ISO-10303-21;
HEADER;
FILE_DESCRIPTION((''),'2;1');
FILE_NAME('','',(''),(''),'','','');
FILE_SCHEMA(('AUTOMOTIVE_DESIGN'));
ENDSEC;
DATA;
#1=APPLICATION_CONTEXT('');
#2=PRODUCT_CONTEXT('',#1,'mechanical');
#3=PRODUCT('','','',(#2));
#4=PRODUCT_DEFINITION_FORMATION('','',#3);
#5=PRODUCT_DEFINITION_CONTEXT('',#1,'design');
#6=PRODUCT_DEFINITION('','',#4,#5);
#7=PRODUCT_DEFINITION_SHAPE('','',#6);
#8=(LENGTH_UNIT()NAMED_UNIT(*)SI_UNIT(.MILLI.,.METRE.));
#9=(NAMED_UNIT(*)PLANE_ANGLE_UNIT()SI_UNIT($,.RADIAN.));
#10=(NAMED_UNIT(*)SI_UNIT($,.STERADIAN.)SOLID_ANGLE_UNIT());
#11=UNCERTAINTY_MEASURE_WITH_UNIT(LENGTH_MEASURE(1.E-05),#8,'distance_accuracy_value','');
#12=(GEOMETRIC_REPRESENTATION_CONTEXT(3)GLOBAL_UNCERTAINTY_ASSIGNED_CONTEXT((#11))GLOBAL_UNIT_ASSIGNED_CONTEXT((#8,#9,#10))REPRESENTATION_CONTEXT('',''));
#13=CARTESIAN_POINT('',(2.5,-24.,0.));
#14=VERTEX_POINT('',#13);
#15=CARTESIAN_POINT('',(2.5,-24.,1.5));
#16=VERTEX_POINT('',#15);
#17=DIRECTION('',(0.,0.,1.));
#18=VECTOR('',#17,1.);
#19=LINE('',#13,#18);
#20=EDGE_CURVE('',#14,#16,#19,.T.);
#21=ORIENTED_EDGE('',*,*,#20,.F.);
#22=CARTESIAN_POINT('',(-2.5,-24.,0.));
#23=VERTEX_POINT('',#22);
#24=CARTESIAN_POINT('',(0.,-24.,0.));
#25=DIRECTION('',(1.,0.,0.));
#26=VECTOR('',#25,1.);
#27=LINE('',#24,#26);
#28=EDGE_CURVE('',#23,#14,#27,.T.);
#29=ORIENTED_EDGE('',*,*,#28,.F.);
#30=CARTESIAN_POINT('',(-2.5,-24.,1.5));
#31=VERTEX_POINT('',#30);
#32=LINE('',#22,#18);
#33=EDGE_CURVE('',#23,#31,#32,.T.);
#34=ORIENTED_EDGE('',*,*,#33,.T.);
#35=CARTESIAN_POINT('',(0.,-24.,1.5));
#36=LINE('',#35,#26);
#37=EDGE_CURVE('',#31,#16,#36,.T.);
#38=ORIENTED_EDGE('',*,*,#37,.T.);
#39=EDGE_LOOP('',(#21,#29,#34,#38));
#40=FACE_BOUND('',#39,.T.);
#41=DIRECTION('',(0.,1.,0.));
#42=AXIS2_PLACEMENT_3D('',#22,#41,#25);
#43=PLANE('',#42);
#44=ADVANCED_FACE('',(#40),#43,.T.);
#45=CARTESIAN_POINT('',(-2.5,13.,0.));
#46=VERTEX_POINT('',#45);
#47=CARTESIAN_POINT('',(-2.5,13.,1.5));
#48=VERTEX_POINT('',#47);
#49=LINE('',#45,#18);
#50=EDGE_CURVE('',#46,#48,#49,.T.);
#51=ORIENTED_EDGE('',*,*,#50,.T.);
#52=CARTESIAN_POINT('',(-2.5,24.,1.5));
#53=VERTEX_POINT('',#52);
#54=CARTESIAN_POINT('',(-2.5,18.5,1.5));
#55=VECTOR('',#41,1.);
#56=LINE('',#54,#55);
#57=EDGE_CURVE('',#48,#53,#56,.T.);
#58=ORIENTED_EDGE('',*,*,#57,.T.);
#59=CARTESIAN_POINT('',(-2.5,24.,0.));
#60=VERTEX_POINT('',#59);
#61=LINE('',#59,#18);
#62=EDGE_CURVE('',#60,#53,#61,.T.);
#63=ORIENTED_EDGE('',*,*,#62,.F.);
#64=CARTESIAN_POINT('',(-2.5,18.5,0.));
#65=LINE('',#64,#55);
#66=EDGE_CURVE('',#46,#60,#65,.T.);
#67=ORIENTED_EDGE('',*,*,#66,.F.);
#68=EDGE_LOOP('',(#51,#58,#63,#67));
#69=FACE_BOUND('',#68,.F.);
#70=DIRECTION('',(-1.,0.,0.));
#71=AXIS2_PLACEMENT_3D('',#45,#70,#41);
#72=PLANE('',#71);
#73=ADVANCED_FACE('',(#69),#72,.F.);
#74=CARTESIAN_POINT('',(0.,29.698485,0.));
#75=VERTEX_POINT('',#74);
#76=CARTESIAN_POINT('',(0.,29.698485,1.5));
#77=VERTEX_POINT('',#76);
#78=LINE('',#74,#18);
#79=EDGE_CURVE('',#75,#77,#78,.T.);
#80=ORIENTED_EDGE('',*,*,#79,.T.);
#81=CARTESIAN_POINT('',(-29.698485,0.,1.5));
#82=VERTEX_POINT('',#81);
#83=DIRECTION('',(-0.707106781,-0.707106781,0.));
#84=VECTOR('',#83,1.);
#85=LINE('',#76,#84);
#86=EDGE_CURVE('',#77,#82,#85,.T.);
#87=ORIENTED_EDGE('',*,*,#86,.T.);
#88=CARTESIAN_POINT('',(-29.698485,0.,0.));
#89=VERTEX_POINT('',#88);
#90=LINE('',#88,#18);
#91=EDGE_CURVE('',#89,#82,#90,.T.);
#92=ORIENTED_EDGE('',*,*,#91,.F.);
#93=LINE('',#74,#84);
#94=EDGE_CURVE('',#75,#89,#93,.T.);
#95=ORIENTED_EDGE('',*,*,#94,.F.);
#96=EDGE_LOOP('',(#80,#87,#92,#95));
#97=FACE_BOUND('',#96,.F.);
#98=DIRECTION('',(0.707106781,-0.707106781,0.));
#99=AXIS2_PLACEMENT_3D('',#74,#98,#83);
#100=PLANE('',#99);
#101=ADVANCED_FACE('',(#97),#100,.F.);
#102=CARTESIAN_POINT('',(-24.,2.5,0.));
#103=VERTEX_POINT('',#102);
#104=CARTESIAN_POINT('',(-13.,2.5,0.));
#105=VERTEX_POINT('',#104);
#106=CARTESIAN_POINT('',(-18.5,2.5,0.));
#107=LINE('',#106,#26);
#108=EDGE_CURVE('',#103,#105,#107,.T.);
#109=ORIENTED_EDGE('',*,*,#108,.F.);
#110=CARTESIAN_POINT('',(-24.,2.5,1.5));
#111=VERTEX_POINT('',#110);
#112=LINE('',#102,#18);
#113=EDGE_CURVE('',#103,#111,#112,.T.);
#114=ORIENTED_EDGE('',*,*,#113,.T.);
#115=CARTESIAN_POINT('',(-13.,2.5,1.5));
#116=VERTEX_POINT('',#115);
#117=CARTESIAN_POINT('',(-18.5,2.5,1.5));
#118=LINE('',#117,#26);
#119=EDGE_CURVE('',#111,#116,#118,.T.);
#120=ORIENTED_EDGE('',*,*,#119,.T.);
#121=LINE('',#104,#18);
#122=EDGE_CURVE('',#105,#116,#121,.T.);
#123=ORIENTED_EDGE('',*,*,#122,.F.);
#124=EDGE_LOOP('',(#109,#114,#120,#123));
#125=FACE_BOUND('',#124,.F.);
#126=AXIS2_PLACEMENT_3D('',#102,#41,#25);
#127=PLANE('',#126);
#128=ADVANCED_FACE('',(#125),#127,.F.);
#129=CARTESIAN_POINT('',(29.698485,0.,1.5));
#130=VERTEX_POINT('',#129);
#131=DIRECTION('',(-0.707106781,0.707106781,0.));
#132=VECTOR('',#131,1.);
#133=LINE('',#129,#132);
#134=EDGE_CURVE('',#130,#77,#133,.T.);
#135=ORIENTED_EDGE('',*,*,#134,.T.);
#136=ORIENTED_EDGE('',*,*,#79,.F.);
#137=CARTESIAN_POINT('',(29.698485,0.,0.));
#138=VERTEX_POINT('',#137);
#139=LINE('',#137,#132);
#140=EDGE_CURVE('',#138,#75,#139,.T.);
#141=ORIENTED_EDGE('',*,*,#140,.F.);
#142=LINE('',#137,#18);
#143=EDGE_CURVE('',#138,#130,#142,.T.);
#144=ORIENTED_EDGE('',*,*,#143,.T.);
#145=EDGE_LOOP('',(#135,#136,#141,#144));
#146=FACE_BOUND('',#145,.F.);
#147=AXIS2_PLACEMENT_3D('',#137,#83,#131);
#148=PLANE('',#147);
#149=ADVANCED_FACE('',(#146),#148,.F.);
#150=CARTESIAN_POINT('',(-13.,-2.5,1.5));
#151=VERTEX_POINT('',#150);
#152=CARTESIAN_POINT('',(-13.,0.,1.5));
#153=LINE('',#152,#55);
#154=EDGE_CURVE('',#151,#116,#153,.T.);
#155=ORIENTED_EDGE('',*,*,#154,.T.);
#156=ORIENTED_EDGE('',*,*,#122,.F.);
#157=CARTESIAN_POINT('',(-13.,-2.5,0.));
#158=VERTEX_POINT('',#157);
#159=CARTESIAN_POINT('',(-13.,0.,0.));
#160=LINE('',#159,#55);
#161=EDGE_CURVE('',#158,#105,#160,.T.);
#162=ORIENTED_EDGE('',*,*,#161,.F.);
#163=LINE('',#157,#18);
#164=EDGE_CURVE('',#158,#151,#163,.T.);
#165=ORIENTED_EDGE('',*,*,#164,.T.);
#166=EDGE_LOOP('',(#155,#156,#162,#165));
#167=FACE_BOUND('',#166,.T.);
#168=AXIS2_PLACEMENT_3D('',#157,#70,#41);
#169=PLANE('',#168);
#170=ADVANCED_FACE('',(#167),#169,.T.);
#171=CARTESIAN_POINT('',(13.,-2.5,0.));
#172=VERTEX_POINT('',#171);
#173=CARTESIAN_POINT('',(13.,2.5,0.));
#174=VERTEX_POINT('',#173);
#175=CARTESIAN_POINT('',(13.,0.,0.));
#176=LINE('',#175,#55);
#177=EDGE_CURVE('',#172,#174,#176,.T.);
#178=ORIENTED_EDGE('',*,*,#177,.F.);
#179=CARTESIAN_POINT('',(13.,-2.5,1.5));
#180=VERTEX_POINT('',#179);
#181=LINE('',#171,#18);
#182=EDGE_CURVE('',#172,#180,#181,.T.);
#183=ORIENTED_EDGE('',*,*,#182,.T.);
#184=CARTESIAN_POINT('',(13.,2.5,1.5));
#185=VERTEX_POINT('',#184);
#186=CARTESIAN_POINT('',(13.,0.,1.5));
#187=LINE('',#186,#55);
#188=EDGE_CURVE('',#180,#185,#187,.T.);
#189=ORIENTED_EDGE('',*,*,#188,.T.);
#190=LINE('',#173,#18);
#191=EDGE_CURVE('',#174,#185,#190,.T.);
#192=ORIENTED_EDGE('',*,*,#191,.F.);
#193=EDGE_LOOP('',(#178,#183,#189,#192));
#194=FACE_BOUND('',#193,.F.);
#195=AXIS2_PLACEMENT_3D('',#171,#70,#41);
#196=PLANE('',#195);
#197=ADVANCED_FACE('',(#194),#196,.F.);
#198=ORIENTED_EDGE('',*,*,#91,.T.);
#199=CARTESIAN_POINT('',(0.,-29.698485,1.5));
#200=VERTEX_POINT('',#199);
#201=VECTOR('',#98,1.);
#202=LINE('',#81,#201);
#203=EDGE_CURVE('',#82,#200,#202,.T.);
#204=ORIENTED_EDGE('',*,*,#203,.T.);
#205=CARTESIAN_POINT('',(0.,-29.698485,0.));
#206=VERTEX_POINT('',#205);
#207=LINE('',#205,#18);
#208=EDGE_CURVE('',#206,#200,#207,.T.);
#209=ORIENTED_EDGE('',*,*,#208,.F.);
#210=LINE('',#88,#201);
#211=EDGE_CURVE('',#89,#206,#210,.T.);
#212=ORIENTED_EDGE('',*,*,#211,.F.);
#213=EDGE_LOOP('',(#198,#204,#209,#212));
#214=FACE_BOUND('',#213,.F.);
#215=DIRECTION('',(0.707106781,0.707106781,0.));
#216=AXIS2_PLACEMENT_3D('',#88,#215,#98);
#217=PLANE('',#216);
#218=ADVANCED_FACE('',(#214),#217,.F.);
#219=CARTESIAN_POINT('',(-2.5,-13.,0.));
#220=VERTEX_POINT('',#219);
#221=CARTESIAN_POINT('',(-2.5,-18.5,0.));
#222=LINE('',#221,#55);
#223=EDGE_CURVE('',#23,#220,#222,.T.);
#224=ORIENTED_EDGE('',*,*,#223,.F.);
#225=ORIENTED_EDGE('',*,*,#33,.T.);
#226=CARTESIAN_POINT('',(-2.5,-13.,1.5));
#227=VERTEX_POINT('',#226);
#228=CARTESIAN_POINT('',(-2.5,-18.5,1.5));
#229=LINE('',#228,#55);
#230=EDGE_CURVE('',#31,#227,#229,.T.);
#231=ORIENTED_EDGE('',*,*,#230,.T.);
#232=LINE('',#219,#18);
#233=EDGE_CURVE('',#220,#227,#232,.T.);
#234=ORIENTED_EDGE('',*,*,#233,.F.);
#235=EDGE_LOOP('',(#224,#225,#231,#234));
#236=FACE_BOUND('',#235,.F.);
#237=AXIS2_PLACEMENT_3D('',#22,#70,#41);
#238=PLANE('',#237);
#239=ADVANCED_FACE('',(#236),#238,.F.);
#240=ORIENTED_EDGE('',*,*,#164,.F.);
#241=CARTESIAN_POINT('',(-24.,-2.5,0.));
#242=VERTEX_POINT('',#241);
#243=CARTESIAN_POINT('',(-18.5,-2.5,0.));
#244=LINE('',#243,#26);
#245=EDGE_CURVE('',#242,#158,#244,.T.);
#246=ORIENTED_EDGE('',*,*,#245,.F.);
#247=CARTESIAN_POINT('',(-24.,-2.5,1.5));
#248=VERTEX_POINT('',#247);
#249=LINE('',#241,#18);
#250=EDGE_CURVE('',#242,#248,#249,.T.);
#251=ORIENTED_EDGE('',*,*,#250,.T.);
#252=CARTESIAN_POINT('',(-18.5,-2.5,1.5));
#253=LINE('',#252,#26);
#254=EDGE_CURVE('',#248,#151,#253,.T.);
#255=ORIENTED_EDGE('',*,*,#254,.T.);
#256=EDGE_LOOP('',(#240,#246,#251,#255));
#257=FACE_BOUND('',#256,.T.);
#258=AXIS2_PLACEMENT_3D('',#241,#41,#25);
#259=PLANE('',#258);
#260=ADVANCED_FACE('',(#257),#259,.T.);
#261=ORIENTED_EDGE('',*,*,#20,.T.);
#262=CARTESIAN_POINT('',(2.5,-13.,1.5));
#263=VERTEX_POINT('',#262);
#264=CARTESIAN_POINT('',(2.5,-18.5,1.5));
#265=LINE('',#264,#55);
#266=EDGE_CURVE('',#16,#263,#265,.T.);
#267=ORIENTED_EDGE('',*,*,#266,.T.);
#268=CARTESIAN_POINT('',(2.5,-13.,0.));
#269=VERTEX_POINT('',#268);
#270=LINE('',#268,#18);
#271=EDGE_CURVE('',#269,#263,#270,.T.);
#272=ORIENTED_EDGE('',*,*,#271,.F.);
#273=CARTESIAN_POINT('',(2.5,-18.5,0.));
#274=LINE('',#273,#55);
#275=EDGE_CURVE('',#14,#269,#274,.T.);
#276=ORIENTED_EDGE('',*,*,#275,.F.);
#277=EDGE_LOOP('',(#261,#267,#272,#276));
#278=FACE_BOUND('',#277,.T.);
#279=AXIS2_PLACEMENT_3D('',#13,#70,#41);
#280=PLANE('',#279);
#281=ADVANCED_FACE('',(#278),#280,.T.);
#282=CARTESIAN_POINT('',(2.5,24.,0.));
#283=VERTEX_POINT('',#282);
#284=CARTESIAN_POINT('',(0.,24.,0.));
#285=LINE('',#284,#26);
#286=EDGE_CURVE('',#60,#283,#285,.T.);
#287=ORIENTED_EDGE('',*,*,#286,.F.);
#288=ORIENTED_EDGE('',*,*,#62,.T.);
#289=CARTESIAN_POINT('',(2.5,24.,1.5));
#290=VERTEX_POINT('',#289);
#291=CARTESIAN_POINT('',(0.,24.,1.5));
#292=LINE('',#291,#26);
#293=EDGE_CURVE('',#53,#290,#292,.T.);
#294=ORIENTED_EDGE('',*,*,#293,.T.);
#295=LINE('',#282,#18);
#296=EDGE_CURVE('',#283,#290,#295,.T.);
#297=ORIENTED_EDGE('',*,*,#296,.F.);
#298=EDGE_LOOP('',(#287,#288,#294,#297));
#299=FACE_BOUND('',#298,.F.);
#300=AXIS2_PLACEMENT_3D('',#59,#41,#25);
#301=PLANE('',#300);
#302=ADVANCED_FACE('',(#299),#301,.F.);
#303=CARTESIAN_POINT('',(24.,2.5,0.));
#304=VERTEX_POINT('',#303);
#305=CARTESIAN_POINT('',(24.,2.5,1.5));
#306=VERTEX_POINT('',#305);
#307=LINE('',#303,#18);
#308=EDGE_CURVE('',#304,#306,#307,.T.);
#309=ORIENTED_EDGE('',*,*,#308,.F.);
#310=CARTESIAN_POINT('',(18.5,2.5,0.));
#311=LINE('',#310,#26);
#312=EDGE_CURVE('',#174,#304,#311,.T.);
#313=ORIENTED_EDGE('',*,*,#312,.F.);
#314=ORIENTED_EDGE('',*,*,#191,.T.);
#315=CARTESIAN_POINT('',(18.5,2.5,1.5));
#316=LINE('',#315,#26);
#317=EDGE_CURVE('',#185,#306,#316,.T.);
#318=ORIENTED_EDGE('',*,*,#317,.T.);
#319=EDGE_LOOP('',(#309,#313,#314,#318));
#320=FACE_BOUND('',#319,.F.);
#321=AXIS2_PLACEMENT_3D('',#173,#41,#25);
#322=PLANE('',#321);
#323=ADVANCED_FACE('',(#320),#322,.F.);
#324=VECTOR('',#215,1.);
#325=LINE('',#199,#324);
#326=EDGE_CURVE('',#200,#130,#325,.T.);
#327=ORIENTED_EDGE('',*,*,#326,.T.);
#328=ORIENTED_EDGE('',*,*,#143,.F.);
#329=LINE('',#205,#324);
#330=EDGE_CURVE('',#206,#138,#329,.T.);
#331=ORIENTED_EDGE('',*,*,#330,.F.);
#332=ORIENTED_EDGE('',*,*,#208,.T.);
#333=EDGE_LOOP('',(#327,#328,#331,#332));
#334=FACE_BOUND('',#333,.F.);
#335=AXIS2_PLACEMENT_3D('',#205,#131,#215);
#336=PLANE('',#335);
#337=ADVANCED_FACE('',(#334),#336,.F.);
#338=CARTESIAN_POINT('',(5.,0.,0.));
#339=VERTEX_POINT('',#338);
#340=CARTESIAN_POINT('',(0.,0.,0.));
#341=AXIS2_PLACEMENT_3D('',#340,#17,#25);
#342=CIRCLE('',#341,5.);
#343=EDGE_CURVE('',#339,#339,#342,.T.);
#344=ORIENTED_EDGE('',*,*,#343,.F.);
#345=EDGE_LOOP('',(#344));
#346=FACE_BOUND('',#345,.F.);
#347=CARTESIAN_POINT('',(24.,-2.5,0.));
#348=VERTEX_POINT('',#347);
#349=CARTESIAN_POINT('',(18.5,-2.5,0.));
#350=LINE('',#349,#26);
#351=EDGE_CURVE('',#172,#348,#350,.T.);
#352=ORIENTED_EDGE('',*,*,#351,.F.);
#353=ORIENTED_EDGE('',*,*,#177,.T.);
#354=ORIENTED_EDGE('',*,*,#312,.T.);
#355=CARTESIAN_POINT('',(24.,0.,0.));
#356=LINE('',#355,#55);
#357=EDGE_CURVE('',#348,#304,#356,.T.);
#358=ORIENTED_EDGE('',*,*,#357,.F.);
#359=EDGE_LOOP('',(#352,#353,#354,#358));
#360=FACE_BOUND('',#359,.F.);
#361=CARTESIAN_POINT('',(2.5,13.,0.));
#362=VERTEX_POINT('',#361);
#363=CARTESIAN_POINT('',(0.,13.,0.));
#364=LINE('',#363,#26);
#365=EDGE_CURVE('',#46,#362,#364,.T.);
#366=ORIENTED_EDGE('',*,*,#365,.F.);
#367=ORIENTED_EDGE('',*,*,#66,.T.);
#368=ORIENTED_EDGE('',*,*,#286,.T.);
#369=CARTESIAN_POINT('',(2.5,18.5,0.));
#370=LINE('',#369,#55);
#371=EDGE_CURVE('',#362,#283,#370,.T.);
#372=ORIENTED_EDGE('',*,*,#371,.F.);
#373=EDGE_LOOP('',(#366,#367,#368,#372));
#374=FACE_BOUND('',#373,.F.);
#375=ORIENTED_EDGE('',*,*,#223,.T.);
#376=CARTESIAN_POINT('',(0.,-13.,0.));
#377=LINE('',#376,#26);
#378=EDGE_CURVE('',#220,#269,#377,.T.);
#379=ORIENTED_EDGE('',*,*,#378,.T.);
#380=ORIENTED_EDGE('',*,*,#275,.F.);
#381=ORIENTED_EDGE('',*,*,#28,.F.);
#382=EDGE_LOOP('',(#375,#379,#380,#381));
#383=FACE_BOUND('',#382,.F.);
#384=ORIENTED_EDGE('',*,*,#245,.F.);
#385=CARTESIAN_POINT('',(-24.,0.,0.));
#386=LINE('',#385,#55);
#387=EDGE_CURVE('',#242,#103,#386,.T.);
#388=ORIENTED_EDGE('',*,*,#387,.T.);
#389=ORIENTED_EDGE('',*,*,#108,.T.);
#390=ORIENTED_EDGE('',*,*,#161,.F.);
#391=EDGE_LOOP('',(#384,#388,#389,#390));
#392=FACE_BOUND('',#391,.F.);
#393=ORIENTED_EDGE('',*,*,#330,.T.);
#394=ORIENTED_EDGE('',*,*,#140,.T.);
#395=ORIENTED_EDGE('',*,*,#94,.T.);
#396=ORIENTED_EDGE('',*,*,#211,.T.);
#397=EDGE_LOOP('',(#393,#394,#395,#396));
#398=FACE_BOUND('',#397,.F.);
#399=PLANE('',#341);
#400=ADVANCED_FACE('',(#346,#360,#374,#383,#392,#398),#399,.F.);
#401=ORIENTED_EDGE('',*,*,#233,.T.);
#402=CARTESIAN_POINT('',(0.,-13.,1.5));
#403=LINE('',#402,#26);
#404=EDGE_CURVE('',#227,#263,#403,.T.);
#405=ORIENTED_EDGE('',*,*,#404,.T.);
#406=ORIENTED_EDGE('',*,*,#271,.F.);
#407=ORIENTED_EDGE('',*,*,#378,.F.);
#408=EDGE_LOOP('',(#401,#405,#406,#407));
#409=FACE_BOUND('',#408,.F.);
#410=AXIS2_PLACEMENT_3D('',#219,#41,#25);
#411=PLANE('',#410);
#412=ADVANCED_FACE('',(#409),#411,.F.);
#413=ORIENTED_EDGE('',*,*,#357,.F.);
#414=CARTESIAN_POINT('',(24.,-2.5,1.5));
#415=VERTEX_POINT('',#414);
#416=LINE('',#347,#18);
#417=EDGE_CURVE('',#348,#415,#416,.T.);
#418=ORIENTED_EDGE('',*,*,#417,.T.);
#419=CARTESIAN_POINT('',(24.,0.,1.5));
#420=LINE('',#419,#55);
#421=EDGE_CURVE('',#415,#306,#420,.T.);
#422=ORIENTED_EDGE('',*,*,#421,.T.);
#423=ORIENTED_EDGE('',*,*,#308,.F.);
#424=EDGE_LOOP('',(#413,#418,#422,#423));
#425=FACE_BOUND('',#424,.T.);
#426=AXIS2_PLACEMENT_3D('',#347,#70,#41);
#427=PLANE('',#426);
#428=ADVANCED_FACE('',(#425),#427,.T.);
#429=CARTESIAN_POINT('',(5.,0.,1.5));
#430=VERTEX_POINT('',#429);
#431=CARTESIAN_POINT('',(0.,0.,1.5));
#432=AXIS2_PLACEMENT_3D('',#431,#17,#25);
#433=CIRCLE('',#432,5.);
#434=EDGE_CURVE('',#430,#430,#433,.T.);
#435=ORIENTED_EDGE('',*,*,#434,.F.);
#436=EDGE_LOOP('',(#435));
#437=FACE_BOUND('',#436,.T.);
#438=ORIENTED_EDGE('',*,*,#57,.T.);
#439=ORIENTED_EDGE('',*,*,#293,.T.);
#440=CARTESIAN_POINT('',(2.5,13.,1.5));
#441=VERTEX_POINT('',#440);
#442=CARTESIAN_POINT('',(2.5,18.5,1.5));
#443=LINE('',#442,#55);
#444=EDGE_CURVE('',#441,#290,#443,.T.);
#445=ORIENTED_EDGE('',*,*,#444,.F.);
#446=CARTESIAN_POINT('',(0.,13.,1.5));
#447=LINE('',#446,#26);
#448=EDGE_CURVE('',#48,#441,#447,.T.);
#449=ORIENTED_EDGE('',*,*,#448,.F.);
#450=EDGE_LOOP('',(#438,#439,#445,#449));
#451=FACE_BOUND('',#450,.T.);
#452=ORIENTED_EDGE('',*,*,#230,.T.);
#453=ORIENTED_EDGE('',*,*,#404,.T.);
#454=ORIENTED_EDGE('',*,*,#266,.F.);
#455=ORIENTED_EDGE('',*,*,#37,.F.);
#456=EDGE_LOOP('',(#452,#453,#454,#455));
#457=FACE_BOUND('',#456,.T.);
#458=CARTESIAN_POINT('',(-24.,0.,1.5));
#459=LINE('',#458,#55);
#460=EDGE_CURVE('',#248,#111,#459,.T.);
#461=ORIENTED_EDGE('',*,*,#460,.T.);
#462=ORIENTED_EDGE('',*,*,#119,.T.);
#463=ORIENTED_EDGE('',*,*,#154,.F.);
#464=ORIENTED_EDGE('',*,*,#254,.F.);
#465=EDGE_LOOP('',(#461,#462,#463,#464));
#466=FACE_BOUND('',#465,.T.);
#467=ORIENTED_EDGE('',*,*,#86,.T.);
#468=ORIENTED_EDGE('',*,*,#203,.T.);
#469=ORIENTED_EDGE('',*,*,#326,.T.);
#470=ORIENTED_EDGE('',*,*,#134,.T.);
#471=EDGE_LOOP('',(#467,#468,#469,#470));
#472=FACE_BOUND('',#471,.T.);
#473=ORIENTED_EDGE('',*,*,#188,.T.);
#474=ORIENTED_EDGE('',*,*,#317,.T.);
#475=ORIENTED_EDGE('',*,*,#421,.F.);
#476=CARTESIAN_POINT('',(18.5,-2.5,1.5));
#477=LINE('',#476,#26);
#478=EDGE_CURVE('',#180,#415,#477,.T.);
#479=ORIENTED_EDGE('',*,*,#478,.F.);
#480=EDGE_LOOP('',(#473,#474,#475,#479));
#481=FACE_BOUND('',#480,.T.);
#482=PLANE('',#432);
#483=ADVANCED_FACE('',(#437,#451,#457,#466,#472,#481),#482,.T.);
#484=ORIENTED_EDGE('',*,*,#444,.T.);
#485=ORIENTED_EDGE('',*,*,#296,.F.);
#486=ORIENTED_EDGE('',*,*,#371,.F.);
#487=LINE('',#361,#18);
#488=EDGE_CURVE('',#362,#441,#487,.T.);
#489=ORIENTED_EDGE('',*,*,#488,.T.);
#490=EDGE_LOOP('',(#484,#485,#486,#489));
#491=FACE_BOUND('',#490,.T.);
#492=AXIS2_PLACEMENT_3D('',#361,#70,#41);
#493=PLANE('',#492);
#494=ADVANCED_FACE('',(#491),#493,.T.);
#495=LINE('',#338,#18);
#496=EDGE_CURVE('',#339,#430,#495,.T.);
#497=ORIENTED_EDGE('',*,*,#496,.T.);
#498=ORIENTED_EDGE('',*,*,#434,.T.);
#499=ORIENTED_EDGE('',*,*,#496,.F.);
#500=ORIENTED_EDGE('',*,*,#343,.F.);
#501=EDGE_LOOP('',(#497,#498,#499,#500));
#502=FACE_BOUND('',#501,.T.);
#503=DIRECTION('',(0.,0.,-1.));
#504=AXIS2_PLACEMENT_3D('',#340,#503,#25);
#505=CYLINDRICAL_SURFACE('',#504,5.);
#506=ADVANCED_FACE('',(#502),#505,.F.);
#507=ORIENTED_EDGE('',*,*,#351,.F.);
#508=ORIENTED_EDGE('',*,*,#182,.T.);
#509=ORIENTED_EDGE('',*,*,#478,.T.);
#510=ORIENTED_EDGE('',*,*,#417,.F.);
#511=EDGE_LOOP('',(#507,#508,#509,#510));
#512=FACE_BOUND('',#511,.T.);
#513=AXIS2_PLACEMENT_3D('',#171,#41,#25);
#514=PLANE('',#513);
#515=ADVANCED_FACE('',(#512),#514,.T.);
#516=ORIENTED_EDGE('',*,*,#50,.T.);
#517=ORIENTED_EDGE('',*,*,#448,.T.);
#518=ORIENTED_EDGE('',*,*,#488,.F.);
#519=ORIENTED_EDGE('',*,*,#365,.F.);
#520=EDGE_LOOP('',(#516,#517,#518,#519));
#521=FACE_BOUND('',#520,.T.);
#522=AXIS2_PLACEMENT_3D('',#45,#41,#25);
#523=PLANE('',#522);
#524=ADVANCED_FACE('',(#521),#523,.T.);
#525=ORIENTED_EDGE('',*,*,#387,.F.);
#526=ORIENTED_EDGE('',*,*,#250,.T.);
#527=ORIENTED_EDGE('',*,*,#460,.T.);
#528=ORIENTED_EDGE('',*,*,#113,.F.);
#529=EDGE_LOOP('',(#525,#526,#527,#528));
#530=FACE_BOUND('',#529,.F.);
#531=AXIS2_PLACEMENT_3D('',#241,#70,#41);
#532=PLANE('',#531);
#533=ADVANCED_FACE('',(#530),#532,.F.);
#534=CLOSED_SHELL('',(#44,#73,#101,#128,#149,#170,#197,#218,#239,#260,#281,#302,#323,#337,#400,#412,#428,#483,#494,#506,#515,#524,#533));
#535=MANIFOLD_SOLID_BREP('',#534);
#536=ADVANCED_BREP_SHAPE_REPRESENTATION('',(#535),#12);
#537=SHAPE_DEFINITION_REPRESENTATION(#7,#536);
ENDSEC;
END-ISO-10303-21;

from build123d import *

# Parameters (mm, degrees)
SKETCH_R   = 5
SKETCH_W   = 11
SKETCH_H   = 5
SKETCH_W_2 = 5
SKETCH_H_2 = 11
PAD_DEPTH  = 1.5


with BuildPart() as part:
    # Sketch → Pad (new body)
    with BuildSketch(Plane.XY):
        Polygon((29.698485, 0), (0, 29.698485), (-29.698485, 0), (0, -29.698485), align=None)
        Circle(SKETCH_R, mode=Mode.SUBTRACT)
        with Locations((-18.5, 0)):
            Rectangle(SKETCH_W, SKETCH_H, mode=Mode.SUBTRACT)
        with Locations((0, 18.5)):
            Rectangle(SKETCH_W_2, SKETCH_H_2, mode=Mode.SUBTRACT)
        with Locations((0, -18.5)):
            Rectangle(SKETCH_W_2, SKETCH_H_2, mode=Mode.SUBTRACT)
        with Locations((18.5, 0)):
            Rectangle(SKETCH_W, SKETCH_H, mode=Mode.SUBTRACT)
    extrude(amount=PAD_DEPTH)


solid = part.part
